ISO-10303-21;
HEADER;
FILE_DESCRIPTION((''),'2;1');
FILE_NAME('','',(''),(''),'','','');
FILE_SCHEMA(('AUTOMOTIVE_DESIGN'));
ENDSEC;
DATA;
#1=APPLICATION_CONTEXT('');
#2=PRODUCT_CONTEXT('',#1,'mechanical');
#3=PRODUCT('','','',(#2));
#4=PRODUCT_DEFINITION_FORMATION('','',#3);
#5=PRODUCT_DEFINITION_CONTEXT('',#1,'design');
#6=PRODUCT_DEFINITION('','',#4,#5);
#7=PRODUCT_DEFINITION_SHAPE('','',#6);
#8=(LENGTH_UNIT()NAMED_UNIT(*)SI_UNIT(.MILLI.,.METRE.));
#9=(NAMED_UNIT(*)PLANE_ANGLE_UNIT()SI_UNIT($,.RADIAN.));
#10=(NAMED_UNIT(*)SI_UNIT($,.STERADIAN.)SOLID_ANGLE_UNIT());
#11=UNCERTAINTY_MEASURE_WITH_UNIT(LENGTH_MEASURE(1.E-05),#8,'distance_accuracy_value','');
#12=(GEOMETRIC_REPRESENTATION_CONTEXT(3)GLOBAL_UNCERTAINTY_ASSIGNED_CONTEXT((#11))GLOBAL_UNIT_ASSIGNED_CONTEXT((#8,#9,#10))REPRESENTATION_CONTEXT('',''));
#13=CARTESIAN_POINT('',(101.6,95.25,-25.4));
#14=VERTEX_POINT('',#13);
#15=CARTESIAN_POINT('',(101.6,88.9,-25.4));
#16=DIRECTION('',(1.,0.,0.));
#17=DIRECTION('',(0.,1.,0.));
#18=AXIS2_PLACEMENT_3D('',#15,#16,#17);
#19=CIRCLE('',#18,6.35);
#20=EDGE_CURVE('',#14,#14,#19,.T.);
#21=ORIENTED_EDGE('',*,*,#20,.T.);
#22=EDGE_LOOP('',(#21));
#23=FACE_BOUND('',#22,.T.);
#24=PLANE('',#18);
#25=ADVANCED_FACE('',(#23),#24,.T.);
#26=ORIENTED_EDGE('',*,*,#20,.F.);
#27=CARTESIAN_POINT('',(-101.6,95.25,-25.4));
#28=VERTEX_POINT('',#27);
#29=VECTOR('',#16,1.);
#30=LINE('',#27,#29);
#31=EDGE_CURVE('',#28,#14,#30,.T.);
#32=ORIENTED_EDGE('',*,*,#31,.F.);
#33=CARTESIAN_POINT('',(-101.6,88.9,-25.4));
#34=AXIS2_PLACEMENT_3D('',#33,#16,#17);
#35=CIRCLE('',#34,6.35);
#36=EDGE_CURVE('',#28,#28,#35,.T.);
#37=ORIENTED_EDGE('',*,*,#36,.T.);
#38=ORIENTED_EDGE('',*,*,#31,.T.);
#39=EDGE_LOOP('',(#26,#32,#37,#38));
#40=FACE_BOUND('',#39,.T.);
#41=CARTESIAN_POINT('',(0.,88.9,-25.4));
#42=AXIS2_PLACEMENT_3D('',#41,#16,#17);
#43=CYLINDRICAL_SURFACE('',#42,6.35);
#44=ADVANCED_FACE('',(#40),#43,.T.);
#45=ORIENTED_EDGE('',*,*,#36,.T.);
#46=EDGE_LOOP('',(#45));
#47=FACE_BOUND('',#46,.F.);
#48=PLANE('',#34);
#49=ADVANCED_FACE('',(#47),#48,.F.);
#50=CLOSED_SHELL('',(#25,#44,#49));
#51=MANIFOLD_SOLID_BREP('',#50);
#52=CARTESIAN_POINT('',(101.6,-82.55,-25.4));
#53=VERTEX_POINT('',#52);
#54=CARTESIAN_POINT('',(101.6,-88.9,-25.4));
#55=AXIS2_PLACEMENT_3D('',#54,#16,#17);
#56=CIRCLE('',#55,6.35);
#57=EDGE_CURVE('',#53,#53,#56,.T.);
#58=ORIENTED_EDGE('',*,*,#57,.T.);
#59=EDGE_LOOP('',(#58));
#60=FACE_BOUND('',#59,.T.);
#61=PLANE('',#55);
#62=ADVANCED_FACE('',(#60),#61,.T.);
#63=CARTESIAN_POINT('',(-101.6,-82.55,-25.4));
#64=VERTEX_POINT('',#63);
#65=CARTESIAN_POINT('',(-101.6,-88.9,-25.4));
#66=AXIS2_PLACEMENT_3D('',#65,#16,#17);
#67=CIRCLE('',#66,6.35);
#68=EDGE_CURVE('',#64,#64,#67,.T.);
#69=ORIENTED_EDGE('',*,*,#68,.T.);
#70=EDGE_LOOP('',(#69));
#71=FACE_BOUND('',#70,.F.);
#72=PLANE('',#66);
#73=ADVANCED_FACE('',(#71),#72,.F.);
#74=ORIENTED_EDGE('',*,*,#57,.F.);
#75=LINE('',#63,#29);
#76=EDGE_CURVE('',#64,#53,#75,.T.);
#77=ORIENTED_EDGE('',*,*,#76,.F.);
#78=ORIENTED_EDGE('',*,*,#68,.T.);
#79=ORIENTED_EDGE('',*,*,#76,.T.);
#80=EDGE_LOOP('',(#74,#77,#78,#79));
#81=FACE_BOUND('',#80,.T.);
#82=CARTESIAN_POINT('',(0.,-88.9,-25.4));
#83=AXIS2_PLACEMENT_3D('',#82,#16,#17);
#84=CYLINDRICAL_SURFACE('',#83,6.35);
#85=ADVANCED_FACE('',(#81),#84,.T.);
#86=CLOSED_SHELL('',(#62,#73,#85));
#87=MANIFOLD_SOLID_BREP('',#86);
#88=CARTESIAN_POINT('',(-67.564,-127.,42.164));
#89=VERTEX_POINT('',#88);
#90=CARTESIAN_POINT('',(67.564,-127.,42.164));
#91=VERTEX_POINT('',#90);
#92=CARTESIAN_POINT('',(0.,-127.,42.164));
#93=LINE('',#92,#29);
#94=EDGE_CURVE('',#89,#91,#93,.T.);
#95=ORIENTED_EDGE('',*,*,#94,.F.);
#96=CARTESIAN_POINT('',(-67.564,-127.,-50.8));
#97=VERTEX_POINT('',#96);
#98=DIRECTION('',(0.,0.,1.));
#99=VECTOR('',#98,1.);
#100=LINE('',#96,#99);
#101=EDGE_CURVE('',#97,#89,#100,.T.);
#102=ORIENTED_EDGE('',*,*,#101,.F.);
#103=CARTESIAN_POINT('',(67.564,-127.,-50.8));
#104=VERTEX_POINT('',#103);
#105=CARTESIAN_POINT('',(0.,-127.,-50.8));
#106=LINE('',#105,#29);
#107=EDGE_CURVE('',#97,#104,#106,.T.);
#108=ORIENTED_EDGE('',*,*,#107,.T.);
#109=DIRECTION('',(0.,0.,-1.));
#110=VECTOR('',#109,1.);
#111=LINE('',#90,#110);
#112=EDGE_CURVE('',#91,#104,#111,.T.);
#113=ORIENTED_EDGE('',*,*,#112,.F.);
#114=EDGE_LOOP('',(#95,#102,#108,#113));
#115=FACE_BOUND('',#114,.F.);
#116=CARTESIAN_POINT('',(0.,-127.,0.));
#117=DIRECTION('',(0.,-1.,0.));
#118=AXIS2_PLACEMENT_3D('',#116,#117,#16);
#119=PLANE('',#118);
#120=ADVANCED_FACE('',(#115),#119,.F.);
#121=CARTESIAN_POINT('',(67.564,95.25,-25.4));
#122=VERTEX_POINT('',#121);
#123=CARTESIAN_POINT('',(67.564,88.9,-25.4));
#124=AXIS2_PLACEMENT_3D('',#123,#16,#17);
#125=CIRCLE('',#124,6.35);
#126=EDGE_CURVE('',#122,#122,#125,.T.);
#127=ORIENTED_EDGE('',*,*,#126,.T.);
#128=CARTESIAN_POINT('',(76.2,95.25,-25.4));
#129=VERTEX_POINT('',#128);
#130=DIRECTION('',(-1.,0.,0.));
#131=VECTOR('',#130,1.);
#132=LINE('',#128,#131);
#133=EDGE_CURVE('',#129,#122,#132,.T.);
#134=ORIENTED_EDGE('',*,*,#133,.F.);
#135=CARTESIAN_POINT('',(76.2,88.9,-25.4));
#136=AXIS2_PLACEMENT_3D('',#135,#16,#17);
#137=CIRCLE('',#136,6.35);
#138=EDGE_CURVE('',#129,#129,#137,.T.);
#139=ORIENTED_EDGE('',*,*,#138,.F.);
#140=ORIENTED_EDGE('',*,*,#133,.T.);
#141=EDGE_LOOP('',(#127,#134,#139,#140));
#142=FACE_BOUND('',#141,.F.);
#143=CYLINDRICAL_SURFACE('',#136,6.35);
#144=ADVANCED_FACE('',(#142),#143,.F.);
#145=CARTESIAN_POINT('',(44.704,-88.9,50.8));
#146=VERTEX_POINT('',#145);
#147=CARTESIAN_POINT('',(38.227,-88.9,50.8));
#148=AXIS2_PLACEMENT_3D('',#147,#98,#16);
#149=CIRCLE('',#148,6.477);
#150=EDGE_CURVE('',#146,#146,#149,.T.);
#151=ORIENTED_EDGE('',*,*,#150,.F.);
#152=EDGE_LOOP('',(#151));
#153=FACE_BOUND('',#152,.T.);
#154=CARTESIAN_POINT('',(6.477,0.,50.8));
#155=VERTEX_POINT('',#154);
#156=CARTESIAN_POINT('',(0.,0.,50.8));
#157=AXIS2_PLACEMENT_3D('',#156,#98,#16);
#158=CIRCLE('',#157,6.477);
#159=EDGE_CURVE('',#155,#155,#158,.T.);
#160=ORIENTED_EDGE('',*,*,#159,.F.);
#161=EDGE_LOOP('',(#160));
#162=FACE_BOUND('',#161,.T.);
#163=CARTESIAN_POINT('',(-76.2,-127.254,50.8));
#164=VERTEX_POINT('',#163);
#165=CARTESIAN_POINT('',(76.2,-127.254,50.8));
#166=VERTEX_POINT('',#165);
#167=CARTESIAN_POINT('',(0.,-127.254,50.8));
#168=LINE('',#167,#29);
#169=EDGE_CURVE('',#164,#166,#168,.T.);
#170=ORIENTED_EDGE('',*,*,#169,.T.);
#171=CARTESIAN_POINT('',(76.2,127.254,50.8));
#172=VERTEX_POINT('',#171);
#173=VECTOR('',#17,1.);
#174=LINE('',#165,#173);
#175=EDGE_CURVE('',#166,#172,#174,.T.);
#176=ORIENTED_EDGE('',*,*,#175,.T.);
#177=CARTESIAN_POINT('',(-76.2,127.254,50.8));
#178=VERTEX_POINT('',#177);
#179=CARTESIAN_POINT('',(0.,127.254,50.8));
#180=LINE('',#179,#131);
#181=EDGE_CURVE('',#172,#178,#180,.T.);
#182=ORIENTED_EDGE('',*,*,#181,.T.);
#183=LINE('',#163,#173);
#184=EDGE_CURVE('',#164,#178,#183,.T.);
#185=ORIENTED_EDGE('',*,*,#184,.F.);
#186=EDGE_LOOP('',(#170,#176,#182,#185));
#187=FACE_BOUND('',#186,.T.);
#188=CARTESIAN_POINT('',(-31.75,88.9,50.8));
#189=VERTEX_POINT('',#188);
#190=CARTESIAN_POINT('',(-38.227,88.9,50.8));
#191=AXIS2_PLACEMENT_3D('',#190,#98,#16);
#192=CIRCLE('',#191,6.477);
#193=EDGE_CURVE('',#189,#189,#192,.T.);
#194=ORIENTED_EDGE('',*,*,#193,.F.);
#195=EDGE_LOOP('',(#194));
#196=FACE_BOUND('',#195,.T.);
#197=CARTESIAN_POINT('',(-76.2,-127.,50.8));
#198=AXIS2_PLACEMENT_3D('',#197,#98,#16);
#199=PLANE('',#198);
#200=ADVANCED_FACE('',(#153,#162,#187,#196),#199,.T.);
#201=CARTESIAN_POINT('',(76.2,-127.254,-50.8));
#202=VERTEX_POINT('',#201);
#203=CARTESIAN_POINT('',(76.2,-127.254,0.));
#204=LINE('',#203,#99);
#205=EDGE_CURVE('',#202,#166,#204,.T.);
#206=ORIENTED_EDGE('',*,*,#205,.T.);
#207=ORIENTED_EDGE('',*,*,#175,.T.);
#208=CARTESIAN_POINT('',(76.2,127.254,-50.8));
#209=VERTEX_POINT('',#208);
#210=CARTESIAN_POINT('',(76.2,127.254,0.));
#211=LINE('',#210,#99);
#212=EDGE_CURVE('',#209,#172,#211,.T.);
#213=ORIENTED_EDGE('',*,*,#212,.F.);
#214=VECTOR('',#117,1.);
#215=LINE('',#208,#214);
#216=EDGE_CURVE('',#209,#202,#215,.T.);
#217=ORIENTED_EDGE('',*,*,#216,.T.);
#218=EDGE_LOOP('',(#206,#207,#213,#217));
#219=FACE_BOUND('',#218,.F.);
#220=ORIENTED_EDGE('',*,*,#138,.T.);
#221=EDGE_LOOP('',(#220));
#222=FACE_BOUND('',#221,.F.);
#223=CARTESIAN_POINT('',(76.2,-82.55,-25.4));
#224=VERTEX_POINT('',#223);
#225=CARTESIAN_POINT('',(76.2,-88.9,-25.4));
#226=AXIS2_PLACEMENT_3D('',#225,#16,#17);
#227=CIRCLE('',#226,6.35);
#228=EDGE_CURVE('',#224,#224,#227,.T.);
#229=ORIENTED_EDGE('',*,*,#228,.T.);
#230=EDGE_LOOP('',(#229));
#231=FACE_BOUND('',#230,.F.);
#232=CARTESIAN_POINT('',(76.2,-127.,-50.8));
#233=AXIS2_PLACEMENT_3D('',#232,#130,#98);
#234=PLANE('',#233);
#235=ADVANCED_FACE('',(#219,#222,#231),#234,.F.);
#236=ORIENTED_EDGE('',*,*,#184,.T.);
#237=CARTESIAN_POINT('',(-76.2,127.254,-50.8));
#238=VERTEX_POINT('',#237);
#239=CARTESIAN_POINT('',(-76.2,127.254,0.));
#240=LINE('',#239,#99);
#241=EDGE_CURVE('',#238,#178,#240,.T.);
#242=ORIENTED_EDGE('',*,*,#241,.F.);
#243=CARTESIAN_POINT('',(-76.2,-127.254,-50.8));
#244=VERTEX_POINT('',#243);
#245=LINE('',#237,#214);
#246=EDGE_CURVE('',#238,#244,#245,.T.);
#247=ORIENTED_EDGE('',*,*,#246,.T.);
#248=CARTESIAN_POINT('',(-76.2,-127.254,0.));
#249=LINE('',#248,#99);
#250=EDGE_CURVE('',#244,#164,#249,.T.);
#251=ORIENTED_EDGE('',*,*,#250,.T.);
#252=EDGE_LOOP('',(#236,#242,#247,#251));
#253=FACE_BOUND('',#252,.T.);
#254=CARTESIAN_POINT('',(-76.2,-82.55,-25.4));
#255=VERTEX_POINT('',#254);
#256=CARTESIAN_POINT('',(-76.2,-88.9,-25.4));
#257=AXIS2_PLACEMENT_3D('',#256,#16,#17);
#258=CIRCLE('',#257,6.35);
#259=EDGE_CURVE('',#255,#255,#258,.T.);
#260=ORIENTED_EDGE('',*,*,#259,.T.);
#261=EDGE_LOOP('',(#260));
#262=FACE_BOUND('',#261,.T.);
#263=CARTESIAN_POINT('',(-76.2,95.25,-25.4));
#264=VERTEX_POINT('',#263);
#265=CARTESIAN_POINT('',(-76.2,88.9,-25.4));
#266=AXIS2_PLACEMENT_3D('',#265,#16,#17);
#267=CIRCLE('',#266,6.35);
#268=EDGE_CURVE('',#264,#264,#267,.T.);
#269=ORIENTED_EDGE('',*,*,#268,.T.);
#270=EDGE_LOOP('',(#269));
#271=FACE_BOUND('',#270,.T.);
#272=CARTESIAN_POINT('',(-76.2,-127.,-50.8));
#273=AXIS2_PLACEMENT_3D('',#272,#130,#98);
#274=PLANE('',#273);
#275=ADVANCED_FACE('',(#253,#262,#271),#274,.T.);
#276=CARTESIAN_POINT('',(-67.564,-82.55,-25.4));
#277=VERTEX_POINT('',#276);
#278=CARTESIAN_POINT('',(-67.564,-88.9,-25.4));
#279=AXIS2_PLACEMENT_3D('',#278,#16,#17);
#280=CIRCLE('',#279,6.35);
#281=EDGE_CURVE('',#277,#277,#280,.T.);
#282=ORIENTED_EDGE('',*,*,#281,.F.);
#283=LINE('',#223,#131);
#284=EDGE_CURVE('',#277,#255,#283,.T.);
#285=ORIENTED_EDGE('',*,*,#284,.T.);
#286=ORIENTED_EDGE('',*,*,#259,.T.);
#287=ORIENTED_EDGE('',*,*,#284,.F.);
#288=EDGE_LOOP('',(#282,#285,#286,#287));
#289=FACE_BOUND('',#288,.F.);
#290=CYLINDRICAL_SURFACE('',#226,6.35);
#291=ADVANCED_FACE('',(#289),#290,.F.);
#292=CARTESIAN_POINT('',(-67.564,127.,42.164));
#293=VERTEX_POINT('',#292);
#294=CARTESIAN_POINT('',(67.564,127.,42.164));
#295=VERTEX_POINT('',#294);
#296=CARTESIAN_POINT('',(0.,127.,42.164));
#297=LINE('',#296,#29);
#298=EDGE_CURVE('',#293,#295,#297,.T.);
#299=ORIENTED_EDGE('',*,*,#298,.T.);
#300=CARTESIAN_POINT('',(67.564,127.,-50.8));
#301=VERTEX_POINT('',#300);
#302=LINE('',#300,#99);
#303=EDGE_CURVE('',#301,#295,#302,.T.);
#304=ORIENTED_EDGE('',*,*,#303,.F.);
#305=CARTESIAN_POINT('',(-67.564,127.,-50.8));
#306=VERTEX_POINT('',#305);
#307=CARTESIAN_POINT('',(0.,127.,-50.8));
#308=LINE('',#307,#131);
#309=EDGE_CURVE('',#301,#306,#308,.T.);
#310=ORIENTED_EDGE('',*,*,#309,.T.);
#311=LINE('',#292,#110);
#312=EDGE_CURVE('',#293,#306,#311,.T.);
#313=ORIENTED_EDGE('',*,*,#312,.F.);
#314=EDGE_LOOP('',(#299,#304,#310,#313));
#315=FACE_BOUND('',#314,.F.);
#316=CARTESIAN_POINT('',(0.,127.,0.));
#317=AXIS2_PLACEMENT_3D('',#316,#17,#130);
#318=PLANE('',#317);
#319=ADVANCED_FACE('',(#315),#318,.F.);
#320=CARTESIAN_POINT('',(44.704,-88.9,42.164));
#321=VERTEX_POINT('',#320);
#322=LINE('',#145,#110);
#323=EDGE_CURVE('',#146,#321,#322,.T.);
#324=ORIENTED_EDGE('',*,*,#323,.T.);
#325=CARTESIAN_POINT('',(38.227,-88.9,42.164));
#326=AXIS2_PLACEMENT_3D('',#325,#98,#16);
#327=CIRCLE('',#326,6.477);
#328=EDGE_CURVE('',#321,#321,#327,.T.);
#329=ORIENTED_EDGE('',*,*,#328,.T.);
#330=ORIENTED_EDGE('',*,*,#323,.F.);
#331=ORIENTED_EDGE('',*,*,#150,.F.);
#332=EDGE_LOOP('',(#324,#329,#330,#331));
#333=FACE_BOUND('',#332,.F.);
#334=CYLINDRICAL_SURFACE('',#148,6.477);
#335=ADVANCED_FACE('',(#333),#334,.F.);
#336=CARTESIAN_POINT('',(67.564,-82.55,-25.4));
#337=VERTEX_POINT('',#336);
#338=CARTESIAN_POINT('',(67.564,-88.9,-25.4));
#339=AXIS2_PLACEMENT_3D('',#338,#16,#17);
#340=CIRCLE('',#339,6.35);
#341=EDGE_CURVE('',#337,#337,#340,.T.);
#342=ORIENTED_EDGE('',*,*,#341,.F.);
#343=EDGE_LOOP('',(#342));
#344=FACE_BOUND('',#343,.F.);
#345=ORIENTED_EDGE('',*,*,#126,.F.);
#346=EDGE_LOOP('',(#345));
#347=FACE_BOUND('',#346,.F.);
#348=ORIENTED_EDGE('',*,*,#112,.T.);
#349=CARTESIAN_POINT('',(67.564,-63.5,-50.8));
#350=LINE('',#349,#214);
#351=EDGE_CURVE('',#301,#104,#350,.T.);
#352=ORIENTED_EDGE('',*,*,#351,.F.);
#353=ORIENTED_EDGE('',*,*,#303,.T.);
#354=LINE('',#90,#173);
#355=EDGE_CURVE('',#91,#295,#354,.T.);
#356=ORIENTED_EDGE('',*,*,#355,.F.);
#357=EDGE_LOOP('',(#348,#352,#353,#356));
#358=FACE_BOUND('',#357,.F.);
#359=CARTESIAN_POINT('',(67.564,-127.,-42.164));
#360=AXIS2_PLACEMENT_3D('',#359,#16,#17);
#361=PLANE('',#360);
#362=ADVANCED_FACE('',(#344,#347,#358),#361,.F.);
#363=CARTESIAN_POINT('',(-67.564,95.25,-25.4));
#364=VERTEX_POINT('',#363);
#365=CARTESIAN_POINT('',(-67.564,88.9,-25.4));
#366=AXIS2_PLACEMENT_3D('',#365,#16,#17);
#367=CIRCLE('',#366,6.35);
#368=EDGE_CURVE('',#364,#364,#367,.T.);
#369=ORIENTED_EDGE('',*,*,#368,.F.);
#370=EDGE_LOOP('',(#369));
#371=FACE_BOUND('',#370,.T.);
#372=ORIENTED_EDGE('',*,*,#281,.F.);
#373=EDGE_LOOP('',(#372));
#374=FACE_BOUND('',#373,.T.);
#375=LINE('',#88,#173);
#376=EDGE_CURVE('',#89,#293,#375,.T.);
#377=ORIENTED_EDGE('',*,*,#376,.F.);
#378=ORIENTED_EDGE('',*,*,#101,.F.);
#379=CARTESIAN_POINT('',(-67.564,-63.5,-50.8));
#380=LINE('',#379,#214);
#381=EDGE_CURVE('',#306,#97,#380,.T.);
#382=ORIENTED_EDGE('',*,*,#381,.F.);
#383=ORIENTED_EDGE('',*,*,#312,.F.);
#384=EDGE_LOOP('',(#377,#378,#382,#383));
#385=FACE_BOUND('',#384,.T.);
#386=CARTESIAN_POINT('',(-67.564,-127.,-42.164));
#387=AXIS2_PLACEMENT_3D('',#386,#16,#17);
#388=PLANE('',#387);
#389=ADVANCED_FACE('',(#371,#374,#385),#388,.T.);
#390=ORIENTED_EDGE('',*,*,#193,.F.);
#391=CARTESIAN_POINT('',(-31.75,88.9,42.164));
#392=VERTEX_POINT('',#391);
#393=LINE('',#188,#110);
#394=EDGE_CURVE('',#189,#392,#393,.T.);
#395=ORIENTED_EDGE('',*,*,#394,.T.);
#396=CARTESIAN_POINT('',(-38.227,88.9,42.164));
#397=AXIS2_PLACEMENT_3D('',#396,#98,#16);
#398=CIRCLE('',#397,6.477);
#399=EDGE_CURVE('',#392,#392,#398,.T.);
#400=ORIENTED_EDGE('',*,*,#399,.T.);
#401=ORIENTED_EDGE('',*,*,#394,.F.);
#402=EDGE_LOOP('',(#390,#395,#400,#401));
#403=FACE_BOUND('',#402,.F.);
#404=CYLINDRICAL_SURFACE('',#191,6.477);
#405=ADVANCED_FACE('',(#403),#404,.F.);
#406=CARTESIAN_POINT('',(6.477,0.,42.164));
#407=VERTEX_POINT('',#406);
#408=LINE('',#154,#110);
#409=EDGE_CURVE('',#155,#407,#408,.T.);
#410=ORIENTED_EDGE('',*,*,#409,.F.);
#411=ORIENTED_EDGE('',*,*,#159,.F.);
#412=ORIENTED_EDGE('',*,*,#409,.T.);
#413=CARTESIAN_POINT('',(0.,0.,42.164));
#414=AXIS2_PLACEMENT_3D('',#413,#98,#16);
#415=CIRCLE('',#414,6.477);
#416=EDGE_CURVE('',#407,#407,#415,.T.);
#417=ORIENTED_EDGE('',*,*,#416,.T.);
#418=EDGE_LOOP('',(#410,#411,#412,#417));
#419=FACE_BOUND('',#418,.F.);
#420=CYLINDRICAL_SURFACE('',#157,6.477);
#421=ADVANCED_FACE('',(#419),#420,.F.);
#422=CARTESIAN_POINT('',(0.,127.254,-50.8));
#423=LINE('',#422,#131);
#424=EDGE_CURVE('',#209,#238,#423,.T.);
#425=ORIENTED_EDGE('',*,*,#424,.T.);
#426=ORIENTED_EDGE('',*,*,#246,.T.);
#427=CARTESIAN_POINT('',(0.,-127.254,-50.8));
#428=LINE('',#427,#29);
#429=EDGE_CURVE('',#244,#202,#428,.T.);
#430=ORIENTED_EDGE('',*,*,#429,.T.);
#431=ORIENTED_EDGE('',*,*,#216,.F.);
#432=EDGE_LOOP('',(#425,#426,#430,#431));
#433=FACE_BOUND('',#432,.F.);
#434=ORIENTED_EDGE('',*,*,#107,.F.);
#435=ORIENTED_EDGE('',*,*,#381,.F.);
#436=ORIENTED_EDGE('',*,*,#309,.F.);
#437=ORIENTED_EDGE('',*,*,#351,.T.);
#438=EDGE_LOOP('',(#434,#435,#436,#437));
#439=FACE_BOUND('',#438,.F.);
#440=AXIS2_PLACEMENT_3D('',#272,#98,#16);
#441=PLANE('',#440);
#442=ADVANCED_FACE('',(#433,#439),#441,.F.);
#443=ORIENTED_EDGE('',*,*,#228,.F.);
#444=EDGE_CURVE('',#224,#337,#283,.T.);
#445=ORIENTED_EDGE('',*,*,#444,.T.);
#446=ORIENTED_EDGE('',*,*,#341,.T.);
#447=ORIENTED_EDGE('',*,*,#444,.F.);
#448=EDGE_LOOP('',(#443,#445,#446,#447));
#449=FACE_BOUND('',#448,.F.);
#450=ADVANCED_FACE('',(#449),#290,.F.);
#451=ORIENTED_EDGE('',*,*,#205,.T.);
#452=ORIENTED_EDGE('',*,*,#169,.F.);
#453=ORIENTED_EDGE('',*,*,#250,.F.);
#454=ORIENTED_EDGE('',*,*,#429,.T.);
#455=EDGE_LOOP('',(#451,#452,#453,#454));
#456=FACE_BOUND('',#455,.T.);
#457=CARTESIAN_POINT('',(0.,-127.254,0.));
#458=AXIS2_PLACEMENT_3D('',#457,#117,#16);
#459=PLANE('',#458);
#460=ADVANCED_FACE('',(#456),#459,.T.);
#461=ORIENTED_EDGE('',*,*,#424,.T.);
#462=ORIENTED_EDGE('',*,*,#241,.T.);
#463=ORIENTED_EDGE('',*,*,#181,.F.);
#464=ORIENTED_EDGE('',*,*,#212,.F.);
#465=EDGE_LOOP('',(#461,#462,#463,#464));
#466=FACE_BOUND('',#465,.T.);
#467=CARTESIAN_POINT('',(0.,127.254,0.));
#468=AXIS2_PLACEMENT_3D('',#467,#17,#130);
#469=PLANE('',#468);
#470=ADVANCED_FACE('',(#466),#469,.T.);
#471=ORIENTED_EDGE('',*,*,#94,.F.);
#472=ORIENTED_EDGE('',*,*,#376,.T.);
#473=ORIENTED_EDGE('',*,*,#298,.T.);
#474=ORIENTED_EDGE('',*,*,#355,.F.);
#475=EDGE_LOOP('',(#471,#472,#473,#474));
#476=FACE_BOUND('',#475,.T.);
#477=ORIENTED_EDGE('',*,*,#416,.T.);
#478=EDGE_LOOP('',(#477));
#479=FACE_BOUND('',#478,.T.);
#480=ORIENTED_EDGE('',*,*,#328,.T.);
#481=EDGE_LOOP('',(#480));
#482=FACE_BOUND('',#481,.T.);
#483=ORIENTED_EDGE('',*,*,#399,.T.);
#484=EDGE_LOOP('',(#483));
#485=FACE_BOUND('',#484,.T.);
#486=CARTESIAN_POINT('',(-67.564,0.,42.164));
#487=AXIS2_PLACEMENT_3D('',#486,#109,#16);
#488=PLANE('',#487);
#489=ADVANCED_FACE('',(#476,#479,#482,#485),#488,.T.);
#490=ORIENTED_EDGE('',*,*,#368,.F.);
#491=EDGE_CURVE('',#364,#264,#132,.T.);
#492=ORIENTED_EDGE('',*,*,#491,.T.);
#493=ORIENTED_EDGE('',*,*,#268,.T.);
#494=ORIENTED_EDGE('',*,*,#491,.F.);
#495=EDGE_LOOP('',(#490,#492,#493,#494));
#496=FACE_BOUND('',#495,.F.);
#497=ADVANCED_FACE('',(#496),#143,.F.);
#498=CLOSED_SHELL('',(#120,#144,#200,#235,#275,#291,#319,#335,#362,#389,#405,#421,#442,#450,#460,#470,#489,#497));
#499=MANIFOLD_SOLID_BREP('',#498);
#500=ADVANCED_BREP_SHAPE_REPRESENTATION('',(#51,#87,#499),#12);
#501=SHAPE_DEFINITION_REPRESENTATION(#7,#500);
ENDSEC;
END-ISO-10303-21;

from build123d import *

# Parameters (mm, degrees)
F0_W      = 152.4
F0_H      = 101.6
F0_W_2    = 135.128
F0_H_2    = 84.328
F1_DEPTH  = 127
F2_R      = 6.35
F3_DEPTH  = 152.401
F4_R      = 6.35
F5_DEPTH  = 101.6
F6_W      = 135.128
F6_H      = 254
F7_DEPTH  = 25.4
F8_R      = 6.477
F9_DEPTH  = 25.4
F10_W     = 152.4
F10_H     = 101.6
F11_DEPTH = 0.254
F12_W     = 152.4
F12_H     = 101.6
F13_DEPTH = 0.254


with BuildPart() as f1:
    # F0 (on Front) → F1 (new body, symmetric)
    with BuildSketch(Plane.XZ):
        Rectangle(F0_W, F0_H)
        Rectangle(F0_W_2, F0_H_2, mode=Mode.SUBTRACT)
    extrude(amount=F1_DEPTH, both=True)

    # F2 (on face) → F3 (cut, through all)
    with BuildSketch(Plane.YZ.offset(76.2)):
        with Locations((-88.9, -25.4)):
            Circle(F2_R)
        with Locations((88.9, -25.4)):
            Circle(F2_R)
    extrude(amount=-F3_DEPTH, mode=Mode.SUBTRACT)

    # F6 (on face) → F7 (cut)
    with BuildSketch(Plane.XY.offset(-42.164)):
        Rectangle(F6_W, F6_H)
    extrude(amount=-F7_DEPTH, mode=Mode.SUBTRACT)

    # F8 (on face) → F9 (cut)
    with BuildSketch(Plane.XY.offset(50.8)):
        with Locations((-38.227, 88.9)):
            Circle(F8_R)
        with Locations((38.227, -88.9)):
            Circle(F8_R)
        Circle(F8_R)
    extrude(amount=-F9_DEPTH, mode=Mode.SUBTRACT)

    # F10 (on face) → F11 (join)
    with BuildSketch(Plane(origin=(0, 127, 0), x_dir=(-1, 0, 0), z_dir=(0, 1, 0))):
        Rectangle(F10_W, F10_H)
    extrude(amount=F11_DEPTH)

    # F12 (on face) → F13 (join)
    with BuildSketch(Plane.XZ.offset(127)):
        Rectangle(F12_W, F12_H)
    extrude(amount=F13_DEPTH)


with BuildPart() as f5:
    # F4 (on Right) → F5 (new body, symmetric)
    with BuildSketch(Plane.YZ):
        with Locations((-88.9, -25.4)):
            Circle(F4_R)
    extrude(amount=F5_DEPTH, both=True)


with BuildPart() as f5b:
    # F4 (on Right) → F5, piece 2 (new body, symmetric)
    with BuildSketch(Plane.YZ):
        with Locations((88.9, -25.4)):
            Circle(F4_R)
    extrude(amount=F5_DEPTH, both=True)


solid = Compound([f1.part, f5.part, f5b.part])
